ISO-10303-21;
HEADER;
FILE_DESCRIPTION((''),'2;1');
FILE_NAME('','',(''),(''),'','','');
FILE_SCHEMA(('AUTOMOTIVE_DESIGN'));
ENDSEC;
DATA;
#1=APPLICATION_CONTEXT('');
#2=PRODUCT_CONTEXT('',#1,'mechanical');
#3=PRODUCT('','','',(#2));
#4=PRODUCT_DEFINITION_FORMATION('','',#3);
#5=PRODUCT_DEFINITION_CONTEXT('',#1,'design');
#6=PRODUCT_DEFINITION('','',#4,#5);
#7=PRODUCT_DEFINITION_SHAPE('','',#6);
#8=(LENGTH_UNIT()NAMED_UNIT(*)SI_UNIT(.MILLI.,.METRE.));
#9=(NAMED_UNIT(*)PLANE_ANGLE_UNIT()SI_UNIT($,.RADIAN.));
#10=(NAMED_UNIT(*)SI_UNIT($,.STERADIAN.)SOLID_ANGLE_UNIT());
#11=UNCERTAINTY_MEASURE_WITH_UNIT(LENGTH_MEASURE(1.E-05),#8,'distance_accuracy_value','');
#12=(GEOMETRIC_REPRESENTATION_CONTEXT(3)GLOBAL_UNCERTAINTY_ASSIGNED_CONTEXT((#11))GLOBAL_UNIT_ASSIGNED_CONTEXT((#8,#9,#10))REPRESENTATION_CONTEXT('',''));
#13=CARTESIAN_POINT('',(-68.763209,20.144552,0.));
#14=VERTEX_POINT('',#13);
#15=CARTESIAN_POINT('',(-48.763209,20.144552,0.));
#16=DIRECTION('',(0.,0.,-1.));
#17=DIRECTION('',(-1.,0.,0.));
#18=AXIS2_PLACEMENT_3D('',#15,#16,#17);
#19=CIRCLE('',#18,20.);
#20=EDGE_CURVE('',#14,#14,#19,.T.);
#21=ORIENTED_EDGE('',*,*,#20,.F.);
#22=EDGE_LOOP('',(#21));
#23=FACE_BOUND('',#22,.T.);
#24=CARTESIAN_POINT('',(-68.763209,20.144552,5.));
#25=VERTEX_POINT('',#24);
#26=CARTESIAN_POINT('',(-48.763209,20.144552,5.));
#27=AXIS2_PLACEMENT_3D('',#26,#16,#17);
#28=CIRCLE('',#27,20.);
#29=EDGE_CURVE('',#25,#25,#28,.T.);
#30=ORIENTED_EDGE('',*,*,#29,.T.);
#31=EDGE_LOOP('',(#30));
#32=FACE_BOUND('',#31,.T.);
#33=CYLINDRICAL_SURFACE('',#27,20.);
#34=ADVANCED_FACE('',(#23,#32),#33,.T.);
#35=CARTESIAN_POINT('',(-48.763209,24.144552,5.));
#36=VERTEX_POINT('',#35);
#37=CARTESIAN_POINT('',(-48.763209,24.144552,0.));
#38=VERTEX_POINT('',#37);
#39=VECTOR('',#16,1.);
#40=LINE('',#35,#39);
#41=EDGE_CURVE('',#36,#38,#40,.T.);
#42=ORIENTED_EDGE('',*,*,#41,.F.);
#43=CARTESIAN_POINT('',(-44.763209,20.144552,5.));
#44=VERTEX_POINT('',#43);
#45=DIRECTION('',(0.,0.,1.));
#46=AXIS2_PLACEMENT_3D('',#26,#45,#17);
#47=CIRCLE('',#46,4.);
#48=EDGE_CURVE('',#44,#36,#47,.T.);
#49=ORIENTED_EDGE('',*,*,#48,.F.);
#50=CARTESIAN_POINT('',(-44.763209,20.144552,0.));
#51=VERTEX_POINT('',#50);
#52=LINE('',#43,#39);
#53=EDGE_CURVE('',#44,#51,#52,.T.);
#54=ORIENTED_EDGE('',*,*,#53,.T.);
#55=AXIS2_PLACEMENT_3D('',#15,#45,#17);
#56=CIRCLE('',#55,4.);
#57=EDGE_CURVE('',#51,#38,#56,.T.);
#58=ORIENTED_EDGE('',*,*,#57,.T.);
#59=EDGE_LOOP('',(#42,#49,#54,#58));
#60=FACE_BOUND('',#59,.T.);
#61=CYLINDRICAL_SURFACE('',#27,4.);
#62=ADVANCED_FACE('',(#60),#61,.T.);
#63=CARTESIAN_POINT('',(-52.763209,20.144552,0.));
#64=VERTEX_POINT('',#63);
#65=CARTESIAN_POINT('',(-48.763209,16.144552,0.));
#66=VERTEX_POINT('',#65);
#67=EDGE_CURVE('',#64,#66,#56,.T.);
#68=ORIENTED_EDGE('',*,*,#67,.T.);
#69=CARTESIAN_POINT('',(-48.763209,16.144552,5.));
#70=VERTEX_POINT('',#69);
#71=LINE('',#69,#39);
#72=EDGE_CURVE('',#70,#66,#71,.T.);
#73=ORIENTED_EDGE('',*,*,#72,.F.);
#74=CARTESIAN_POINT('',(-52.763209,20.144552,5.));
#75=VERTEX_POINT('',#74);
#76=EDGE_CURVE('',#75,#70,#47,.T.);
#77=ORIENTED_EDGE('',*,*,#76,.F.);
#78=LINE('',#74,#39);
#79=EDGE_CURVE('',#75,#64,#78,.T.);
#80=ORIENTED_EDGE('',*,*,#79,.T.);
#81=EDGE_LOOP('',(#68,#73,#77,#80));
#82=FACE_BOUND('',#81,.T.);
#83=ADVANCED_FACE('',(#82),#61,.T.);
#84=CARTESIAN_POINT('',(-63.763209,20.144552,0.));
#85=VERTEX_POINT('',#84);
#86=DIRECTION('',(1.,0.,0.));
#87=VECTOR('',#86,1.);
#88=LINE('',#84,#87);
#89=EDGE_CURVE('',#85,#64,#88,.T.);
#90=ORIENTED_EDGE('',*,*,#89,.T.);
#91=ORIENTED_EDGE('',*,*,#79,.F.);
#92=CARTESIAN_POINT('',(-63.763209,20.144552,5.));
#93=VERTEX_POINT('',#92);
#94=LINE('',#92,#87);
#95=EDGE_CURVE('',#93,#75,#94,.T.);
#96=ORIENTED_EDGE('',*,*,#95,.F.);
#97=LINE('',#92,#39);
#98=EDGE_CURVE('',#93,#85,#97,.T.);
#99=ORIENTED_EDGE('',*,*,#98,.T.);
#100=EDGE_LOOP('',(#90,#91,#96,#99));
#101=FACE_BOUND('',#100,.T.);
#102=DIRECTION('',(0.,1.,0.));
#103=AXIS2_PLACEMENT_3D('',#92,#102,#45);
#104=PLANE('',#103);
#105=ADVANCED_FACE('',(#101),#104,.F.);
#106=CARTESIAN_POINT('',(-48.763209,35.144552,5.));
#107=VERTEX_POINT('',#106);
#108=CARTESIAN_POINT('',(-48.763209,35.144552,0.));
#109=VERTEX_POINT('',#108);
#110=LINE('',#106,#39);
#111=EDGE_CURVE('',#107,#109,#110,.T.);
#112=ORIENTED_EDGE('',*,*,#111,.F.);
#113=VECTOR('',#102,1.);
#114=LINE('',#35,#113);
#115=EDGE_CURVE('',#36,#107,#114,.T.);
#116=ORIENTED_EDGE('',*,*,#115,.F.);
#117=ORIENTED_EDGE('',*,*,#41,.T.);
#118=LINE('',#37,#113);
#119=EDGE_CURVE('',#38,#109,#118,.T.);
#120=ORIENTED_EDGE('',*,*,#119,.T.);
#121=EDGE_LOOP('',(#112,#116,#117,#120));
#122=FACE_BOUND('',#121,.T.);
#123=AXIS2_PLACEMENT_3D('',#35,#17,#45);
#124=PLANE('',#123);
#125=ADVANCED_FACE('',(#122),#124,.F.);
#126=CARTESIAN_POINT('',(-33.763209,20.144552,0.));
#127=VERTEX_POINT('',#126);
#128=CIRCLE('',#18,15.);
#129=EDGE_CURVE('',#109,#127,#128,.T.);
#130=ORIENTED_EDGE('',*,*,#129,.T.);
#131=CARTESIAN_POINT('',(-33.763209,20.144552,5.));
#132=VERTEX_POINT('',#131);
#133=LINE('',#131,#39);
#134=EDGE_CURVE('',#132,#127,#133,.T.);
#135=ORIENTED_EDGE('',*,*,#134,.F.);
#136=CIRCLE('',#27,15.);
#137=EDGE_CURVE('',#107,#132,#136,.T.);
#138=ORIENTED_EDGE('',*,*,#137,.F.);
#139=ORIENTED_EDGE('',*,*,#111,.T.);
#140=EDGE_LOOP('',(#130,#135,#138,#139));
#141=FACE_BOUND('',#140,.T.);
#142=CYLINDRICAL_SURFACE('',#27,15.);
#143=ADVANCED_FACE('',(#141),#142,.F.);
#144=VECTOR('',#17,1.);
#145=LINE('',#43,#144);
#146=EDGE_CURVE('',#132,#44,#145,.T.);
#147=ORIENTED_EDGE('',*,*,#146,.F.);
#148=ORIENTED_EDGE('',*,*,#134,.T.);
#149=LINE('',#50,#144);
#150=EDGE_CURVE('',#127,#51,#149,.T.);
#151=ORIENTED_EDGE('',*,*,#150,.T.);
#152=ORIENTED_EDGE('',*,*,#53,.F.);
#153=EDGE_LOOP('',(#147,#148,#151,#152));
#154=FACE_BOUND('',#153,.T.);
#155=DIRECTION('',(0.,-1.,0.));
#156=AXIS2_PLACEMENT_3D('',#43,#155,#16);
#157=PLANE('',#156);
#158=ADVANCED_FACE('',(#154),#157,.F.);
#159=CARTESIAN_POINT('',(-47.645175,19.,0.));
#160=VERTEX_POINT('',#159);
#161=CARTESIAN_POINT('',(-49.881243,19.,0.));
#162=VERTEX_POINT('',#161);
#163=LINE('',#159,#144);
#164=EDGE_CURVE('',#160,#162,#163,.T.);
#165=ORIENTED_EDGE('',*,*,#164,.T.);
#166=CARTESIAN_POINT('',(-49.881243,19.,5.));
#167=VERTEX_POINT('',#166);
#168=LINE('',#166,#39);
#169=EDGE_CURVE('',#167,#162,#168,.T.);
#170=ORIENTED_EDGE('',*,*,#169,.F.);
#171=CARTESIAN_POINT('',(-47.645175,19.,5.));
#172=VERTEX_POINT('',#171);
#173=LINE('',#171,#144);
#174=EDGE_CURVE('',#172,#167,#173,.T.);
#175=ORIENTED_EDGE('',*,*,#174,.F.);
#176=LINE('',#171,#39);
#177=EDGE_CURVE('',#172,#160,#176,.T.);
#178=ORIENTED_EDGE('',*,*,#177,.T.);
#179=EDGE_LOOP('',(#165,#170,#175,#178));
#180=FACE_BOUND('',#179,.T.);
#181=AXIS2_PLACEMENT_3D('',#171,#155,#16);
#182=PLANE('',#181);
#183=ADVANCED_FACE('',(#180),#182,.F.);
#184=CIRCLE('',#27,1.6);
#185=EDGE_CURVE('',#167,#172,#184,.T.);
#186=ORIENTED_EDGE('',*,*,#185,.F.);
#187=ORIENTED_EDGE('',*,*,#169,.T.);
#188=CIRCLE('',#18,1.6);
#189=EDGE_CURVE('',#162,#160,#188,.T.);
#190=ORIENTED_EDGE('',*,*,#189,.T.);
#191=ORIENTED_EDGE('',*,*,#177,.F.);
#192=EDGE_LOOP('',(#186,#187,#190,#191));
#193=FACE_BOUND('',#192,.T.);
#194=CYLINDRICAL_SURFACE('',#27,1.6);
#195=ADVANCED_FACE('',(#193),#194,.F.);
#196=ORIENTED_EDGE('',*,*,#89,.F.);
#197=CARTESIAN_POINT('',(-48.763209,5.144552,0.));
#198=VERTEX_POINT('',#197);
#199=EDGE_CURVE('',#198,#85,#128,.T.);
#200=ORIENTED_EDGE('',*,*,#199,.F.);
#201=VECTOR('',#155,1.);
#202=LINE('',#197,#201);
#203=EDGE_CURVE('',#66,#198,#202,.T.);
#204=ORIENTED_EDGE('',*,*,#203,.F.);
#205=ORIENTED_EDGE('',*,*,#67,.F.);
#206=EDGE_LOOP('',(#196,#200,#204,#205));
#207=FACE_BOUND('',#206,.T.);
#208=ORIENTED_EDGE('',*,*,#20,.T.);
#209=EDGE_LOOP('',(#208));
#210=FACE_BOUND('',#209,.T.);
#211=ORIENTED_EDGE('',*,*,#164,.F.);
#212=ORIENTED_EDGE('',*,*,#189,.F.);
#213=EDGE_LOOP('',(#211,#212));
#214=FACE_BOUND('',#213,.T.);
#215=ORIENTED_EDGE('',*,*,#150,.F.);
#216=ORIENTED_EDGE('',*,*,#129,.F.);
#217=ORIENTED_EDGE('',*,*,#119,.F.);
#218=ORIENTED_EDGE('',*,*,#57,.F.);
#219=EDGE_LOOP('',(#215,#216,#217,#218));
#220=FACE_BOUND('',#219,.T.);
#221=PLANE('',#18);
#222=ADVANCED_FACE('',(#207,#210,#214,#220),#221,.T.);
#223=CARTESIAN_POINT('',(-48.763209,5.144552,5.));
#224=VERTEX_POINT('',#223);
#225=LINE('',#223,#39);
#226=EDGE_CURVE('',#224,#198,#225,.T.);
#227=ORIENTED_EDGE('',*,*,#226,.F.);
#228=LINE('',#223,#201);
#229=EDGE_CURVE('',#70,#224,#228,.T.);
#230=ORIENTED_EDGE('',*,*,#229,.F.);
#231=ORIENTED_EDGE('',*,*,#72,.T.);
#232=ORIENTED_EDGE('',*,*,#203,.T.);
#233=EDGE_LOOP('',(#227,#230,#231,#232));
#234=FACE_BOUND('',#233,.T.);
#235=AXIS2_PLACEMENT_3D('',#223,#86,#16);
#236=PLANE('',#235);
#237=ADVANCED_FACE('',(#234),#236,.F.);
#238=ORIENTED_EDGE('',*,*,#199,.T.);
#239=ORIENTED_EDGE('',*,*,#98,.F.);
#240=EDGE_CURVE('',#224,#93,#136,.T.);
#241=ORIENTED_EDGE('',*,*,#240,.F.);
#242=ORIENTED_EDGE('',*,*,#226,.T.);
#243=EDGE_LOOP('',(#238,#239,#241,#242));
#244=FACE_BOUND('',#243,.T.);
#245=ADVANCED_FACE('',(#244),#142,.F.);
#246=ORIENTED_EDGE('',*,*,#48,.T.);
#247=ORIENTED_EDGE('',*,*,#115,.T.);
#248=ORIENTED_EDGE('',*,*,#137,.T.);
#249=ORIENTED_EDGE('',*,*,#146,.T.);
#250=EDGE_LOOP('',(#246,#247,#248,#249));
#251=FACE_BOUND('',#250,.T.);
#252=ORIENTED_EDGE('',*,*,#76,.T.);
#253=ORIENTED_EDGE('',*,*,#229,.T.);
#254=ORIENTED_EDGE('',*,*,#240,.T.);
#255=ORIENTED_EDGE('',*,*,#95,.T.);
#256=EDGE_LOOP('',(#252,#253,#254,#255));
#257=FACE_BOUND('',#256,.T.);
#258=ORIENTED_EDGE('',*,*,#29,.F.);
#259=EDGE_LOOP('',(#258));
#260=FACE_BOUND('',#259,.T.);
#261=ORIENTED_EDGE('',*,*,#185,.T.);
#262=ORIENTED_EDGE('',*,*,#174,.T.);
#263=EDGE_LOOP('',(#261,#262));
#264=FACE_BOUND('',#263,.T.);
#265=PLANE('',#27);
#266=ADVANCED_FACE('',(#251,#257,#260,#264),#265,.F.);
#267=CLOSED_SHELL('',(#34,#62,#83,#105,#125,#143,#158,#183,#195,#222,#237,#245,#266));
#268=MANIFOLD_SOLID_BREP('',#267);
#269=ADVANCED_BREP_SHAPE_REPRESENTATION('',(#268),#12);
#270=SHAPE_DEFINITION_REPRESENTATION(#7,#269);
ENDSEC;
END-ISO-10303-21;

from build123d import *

# Parameters (mm, degrees)
ESBO_O1_R                = 20
RESSALTO_EXTRUS_O1_DEPTH = 4.999999888


with BuildPart() as part:
    # Esboço1 → Ressalto-extrusão1 (new body)
    with BuildSketch(Plane(origin=(0, 0, 0), x_dir=(-1, 0, 0), z_dir=(0, 0, -1))):
        with Locations((48.763208571, 20.144551867)):
            Circle(ESBO_O1_R)
        with BuildLine():
            Line((47.645174582, 18.999999553), (49.881242559, 18.999999553))
            ThreePointArc((49.881242559, 18.999999553), (48.763208571, 21.744551867), (47.645174582, 18.999999553))
        make_face(mode=Mode.SUBTRACT)
        with BuildLine():
            Line((48.763208571, 24.144551867), (48.763208571, 35.144551867))
            ThreePointArc((48.763208571, 35.144551867), (38.156606853, 30.751153585), (33.763208571, 20.144551867))
            Line((33.763208571, 20.144551867), (44.763208571, 20.144551867))
            ThreePointArc((44.763208571, 20.144551867), (45.934781446, 22.972978992), (48.763208571, 24.144551867))
        make_face(mode=Mode.SUBTRACT)
        with BuildLine():
            Line((48.763208571, 5.144551867), (48.763208571, 16.144551867))
            ThreePointArc((48.763208571, 16.144551867), (51.591635695, 17.316124742), (52.763208571, 20.144551867))
            Line((52.763208571, 20.144551867), (63.763208571, 20.144551867))
            ThreePointArc((63.763208571, 20.144551867), (59.369810288, 9.537950149), (48.763208571, 5.144551867))
        make_face(mode=Mode.SUBTRACT)
    extrude(amount=-RESSALTO_EXTRUS_O1_DEPTH)


solid = part.part
